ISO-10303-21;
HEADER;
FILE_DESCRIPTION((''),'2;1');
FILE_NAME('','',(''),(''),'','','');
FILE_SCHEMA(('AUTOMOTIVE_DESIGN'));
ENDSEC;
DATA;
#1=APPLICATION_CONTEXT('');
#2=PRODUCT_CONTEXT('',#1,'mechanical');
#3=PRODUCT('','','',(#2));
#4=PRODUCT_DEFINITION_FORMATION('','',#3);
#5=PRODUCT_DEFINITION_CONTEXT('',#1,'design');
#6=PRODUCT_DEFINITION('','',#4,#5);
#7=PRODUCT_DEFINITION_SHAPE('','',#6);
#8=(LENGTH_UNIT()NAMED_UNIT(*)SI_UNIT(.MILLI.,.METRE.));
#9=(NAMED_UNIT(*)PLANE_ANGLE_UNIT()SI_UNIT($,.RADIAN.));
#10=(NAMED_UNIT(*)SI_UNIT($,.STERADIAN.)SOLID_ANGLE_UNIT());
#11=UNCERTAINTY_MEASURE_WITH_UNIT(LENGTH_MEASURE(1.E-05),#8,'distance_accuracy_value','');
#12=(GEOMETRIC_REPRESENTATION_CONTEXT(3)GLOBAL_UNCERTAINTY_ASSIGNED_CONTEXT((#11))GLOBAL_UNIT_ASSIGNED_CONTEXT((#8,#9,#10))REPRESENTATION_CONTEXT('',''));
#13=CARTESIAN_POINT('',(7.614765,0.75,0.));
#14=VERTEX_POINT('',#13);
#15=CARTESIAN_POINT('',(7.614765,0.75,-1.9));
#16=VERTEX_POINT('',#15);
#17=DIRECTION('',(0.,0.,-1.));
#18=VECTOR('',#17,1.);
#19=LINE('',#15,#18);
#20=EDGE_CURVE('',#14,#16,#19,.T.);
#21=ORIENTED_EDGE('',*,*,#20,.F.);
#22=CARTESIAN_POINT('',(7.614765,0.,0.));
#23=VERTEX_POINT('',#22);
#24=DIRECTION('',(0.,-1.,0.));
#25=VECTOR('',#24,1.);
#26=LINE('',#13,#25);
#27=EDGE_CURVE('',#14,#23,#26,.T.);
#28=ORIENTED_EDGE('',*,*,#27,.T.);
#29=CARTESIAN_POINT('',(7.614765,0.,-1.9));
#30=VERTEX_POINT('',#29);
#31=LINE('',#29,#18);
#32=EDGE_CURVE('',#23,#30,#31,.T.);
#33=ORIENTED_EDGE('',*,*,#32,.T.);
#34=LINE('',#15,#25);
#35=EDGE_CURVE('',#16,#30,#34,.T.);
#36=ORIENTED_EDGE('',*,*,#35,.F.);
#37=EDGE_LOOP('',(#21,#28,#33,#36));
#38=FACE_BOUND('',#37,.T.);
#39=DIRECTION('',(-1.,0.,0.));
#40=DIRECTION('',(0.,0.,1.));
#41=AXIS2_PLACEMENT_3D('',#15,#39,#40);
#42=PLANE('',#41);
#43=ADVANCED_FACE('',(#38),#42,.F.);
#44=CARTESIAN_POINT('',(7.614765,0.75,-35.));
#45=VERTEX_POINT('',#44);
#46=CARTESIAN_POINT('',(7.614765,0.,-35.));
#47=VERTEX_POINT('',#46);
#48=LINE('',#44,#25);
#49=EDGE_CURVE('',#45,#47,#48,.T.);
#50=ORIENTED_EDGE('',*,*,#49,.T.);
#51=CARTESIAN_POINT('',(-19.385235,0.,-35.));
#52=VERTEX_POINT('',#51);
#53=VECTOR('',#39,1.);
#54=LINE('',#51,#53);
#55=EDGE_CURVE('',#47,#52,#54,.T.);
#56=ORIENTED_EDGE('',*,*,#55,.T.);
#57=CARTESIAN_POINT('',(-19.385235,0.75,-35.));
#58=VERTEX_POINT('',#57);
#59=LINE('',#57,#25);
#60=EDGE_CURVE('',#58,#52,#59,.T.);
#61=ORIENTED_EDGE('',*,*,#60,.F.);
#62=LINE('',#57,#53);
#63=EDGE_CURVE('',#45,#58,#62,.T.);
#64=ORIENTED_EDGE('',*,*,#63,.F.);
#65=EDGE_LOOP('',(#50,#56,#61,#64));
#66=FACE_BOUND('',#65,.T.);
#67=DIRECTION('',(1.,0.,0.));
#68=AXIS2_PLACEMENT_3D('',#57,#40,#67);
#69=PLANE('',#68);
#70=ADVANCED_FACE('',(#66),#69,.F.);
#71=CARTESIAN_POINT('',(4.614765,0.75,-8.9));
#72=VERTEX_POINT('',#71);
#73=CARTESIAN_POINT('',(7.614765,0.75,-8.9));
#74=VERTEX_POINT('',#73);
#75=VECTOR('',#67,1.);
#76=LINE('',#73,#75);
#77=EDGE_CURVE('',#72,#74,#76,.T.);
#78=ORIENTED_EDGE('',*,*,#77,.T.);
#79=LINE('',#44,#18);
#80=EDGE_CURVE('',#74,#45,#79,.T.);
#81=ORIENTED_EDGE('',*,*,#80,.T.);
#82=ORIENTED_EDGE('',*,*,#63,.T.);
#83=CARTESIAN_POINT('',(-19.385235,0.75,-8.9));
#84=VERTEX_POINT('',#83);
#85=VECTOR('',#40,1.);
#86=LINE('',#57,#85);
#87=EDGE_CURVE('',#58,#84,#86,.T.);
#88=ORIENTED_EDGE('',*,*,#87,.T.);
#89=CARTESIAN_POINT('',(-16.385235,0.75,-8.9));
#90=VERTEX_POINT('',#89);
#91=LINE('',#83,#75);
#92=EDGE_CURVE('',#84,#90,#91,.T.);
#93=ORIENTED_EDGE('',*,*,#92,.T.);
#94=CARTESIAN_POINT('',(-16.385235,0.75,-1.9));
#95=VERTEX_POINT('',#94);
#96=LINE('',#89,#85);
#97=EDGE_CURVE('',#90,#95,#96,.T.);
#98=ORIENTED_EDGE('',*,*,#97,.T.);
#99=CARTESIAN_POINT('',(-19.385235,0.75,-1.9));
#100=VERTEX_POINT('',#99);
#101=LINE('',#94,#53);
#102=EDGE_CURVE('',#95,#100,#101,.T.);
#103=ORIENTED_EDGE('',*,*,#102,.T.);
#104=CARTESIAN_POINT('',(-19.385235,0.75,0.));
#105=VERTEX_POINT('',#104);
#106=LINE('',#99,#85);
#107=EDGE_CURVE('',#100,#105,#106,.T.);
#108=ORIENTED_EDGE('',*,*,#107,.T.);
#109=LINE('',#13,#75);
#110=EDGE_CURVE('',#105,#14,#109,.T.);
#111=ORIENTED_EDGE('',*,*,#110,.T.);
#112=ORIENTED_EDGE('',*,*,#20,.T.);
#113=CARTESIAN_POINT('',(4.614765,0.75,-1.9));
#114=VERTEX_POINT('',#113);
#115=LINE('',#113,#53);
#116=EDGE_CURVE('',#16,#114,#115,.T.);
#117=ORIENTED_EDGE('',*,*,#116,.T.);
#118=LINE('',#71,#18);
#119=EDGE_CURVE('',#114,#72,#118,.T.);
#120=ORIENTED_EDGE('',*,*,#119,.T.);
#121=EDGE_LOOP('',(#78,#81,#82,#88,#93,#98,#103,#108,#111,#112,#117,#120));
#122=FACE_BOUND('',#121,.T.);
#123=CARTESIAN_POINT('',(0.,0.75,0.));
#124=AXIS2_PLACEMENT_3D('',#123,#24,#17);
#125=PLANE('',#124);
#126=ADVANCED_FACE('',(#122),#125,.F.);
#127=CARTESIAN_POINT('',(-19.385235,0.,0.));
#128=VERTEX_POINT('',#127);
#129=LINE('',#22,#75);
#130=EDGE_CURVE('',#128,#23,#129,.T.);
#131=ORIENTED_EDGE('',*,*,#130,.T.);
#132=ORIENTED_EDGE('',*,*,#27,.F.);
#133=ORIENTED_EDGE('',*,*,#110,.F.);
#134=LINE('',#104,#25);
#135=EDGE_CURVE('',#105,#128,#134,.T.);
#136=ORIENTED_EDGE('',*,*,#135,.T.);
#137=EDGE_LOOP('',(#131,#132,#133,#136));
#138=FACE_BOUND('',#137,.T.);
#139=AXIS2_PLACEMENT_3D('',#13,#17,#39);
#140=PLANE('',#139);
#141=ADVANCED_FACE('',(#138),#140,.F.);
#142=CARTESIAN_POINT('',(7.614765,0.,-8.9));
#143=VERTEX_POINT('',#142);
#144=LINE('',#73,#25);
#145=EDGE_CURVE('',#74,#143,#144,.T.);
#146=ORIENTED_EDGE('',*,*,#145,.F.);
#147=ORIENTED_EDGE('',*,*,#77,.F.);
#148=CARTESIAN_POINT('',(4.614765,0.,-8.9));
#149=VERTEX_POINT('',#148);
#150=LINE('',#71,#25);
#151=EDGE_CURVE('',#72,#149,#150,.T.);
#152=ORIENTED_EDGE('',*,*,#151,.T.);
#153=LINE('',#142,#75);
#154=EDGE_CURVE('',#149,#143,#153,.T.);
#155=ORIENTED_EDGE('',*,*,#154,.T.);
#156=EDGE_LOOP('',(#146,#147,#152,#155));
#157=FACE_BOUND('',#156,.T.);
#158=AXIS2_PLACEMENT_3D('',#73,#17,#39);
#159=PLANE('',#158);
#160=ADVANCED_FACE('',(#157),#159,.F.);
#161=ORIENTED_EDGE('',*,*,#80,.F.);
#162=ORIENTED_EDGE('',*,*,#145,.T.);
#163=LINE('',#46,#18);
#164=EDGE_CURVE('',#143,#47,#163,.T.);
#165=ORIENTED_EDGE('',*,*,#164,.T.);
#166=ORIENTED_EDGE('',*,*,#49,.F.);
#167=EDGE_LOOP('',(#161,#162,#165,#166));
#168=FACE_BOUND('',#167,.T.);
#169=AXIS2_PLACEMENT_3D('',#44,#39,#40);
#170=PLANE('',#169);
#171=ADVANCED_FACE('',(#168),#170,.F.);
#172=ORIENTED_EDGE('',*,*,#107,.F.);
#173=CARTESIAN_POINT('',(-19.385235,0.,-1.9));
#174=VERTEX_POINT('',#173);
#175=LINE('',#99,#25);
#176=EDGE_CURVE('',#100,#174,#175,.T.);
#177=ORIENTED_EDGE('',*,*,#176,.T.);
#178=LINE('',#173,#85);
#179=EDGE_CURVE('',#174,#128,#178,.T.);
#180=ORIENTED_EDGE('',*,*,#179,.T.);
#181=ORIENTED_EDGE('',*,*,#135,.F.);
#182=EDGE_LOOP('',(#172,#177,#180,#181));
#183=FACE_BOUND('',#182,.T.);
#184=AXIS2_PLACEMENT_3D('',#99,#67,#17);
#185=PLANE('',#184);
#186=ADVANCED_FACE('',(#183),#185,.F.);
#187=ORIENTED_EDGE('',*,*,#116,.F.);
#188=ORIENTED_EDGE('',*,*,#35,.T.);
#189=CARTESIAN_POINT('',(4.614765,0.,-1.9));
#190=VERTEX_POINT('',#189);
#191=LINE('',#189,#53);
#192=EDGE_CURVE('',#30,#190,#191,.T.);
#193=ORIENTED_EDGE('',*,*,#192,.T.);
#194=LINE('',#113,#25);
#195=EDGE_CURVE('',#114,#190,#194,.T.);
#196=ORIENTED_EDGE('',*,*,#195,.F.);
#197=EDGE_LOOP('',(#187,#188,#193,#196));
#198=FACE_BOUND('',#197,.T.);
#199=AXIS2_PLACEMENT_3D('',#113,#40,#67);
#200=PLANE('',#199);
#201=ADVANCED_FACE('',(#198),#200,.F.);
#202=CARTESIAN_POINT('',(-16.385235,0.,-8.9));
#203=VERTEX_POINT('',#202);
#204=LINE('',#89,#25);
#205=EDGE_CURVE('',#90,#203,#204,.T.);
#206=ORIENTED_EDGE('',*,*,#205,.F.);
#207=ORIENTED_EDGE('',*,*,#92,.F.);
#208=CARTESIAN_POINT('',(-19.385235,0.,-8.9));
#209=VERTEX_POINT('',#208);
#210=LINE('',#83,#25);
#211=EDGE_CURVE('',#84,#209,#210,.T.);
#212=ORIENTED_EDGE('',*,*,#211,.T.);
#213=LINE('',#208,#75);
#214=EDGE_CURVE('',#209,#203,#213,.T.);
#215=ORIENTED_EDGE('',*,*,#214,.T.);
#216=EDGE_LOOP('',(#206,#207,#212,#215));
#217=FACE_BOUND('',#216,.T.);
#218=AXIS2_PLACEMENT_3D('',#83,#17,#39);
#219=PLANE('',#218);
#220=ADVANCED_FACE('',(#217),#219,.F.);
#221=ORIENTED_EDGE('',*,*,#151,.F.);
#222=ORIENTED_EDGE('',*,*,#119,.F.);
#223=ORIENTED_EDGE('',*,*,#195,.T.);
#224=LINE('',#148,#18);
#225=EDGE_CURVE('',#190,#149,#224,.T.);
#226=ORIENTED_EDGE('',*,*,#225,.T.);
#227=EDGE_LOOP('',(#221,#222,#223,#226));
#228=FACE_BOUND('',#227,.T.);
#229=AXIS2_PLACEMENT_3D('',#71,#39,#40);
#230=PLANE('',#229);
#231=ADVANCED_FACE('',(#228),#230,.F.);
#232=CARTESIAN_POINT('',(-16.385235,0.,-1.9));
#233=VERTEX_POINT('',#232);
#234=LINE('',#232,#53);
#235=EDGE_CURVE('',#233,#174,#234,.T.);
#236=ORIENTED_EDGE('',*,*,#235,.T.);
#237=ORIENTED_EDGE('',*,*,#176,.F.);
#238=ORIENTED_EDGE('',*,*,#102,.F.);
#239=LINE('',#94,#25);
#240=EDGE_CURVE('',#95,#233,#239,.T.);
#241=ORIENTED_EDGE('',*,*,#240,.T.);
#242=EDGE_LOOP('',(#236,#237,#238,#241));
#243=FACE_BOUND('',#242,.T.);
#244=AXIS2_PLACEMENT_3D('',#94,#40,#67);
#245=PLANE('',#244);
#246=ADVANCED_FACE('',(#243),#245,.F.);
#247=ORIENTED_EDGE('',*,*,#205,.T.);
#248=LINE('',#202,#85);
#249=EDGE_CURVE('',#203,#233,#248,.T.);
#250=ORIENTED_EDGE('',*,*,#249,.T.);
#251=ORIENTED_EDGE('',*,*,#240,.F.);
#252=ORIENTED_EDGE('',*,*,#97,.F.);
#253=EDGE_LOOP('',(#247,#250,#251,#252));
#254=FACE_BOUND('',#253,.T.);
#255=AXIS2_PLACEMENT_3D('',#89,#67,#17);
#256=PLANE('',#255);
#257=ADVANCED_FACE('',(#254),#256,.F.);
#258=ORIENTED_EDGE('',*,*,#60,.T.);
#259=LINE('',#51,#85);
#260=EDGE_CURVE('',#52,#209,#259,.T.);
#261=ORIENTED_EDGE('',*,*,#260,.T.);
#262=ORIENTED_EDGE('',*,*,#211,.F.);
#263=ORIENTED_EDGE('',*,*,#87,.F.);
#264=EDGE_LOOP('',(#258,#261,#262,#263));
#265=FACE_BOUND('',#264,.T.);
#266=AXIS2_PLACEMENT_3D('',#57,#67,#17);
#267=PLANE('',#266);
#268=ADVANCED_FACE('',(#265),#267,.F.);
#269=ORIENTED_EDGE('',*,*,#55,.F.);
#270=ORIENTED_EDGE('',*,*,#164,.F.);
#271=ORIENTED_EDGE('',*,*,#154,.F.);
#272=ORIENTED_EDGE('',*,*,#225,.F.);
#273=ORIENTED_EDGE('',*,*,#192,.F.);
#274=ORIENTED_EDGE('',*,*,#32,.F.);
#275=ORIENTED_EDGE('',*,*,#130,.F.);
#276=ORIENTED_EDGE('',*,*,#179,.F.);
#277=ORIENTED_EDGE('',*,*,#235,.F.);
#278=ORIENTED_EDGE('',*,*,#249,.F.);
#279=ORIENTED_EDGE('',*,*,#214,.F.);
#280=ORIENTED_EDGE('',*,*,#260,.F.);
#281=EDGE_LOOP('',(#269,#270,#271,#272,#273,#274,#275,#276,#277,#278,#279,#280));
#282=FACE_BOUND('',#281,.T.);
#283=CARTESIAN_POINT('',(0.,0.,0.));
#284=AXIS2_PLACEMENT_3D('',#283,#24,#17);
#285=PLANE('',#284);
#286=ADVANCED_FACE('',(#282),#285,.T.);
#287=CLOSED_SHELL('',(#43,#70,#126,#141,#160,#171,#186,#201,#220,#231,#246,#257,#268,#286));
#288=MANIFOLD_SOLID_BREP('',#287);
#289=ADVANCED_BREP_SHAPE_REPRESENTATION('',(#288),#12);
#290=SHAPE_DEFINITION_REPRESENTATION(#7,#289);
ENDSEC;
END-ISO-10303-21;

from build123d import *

# Parameters (mm, degrees)
BOSS_EXTRUDE1_DEPTH = 0.75


with BuildPart() as part:
    # Sketch1 → Boss-Extrude1 (new body)
    with BuildSketch(Plane(origin=(0, 0, 0), x_dir=(1, 0, 0), z_dir=(0, 1, 0))):
        Polygon((-19.385235072, 35), (7.614764928, 35), (7.614764928, 8.9), (4.614764928, 8.9), (4.614764928, 1.9), (7.614764928, 1.9), (7.614764928, 0), (-19.385235072, 0), (-19.385235072, 1.9), (-16.385235072, 1.9), (-16.385235072, 8.9), (-19.385235072, 8.9), align=None)
    extrude(amount=BOSS_EXTRUDE1_DEPTH)


solid = part.part
